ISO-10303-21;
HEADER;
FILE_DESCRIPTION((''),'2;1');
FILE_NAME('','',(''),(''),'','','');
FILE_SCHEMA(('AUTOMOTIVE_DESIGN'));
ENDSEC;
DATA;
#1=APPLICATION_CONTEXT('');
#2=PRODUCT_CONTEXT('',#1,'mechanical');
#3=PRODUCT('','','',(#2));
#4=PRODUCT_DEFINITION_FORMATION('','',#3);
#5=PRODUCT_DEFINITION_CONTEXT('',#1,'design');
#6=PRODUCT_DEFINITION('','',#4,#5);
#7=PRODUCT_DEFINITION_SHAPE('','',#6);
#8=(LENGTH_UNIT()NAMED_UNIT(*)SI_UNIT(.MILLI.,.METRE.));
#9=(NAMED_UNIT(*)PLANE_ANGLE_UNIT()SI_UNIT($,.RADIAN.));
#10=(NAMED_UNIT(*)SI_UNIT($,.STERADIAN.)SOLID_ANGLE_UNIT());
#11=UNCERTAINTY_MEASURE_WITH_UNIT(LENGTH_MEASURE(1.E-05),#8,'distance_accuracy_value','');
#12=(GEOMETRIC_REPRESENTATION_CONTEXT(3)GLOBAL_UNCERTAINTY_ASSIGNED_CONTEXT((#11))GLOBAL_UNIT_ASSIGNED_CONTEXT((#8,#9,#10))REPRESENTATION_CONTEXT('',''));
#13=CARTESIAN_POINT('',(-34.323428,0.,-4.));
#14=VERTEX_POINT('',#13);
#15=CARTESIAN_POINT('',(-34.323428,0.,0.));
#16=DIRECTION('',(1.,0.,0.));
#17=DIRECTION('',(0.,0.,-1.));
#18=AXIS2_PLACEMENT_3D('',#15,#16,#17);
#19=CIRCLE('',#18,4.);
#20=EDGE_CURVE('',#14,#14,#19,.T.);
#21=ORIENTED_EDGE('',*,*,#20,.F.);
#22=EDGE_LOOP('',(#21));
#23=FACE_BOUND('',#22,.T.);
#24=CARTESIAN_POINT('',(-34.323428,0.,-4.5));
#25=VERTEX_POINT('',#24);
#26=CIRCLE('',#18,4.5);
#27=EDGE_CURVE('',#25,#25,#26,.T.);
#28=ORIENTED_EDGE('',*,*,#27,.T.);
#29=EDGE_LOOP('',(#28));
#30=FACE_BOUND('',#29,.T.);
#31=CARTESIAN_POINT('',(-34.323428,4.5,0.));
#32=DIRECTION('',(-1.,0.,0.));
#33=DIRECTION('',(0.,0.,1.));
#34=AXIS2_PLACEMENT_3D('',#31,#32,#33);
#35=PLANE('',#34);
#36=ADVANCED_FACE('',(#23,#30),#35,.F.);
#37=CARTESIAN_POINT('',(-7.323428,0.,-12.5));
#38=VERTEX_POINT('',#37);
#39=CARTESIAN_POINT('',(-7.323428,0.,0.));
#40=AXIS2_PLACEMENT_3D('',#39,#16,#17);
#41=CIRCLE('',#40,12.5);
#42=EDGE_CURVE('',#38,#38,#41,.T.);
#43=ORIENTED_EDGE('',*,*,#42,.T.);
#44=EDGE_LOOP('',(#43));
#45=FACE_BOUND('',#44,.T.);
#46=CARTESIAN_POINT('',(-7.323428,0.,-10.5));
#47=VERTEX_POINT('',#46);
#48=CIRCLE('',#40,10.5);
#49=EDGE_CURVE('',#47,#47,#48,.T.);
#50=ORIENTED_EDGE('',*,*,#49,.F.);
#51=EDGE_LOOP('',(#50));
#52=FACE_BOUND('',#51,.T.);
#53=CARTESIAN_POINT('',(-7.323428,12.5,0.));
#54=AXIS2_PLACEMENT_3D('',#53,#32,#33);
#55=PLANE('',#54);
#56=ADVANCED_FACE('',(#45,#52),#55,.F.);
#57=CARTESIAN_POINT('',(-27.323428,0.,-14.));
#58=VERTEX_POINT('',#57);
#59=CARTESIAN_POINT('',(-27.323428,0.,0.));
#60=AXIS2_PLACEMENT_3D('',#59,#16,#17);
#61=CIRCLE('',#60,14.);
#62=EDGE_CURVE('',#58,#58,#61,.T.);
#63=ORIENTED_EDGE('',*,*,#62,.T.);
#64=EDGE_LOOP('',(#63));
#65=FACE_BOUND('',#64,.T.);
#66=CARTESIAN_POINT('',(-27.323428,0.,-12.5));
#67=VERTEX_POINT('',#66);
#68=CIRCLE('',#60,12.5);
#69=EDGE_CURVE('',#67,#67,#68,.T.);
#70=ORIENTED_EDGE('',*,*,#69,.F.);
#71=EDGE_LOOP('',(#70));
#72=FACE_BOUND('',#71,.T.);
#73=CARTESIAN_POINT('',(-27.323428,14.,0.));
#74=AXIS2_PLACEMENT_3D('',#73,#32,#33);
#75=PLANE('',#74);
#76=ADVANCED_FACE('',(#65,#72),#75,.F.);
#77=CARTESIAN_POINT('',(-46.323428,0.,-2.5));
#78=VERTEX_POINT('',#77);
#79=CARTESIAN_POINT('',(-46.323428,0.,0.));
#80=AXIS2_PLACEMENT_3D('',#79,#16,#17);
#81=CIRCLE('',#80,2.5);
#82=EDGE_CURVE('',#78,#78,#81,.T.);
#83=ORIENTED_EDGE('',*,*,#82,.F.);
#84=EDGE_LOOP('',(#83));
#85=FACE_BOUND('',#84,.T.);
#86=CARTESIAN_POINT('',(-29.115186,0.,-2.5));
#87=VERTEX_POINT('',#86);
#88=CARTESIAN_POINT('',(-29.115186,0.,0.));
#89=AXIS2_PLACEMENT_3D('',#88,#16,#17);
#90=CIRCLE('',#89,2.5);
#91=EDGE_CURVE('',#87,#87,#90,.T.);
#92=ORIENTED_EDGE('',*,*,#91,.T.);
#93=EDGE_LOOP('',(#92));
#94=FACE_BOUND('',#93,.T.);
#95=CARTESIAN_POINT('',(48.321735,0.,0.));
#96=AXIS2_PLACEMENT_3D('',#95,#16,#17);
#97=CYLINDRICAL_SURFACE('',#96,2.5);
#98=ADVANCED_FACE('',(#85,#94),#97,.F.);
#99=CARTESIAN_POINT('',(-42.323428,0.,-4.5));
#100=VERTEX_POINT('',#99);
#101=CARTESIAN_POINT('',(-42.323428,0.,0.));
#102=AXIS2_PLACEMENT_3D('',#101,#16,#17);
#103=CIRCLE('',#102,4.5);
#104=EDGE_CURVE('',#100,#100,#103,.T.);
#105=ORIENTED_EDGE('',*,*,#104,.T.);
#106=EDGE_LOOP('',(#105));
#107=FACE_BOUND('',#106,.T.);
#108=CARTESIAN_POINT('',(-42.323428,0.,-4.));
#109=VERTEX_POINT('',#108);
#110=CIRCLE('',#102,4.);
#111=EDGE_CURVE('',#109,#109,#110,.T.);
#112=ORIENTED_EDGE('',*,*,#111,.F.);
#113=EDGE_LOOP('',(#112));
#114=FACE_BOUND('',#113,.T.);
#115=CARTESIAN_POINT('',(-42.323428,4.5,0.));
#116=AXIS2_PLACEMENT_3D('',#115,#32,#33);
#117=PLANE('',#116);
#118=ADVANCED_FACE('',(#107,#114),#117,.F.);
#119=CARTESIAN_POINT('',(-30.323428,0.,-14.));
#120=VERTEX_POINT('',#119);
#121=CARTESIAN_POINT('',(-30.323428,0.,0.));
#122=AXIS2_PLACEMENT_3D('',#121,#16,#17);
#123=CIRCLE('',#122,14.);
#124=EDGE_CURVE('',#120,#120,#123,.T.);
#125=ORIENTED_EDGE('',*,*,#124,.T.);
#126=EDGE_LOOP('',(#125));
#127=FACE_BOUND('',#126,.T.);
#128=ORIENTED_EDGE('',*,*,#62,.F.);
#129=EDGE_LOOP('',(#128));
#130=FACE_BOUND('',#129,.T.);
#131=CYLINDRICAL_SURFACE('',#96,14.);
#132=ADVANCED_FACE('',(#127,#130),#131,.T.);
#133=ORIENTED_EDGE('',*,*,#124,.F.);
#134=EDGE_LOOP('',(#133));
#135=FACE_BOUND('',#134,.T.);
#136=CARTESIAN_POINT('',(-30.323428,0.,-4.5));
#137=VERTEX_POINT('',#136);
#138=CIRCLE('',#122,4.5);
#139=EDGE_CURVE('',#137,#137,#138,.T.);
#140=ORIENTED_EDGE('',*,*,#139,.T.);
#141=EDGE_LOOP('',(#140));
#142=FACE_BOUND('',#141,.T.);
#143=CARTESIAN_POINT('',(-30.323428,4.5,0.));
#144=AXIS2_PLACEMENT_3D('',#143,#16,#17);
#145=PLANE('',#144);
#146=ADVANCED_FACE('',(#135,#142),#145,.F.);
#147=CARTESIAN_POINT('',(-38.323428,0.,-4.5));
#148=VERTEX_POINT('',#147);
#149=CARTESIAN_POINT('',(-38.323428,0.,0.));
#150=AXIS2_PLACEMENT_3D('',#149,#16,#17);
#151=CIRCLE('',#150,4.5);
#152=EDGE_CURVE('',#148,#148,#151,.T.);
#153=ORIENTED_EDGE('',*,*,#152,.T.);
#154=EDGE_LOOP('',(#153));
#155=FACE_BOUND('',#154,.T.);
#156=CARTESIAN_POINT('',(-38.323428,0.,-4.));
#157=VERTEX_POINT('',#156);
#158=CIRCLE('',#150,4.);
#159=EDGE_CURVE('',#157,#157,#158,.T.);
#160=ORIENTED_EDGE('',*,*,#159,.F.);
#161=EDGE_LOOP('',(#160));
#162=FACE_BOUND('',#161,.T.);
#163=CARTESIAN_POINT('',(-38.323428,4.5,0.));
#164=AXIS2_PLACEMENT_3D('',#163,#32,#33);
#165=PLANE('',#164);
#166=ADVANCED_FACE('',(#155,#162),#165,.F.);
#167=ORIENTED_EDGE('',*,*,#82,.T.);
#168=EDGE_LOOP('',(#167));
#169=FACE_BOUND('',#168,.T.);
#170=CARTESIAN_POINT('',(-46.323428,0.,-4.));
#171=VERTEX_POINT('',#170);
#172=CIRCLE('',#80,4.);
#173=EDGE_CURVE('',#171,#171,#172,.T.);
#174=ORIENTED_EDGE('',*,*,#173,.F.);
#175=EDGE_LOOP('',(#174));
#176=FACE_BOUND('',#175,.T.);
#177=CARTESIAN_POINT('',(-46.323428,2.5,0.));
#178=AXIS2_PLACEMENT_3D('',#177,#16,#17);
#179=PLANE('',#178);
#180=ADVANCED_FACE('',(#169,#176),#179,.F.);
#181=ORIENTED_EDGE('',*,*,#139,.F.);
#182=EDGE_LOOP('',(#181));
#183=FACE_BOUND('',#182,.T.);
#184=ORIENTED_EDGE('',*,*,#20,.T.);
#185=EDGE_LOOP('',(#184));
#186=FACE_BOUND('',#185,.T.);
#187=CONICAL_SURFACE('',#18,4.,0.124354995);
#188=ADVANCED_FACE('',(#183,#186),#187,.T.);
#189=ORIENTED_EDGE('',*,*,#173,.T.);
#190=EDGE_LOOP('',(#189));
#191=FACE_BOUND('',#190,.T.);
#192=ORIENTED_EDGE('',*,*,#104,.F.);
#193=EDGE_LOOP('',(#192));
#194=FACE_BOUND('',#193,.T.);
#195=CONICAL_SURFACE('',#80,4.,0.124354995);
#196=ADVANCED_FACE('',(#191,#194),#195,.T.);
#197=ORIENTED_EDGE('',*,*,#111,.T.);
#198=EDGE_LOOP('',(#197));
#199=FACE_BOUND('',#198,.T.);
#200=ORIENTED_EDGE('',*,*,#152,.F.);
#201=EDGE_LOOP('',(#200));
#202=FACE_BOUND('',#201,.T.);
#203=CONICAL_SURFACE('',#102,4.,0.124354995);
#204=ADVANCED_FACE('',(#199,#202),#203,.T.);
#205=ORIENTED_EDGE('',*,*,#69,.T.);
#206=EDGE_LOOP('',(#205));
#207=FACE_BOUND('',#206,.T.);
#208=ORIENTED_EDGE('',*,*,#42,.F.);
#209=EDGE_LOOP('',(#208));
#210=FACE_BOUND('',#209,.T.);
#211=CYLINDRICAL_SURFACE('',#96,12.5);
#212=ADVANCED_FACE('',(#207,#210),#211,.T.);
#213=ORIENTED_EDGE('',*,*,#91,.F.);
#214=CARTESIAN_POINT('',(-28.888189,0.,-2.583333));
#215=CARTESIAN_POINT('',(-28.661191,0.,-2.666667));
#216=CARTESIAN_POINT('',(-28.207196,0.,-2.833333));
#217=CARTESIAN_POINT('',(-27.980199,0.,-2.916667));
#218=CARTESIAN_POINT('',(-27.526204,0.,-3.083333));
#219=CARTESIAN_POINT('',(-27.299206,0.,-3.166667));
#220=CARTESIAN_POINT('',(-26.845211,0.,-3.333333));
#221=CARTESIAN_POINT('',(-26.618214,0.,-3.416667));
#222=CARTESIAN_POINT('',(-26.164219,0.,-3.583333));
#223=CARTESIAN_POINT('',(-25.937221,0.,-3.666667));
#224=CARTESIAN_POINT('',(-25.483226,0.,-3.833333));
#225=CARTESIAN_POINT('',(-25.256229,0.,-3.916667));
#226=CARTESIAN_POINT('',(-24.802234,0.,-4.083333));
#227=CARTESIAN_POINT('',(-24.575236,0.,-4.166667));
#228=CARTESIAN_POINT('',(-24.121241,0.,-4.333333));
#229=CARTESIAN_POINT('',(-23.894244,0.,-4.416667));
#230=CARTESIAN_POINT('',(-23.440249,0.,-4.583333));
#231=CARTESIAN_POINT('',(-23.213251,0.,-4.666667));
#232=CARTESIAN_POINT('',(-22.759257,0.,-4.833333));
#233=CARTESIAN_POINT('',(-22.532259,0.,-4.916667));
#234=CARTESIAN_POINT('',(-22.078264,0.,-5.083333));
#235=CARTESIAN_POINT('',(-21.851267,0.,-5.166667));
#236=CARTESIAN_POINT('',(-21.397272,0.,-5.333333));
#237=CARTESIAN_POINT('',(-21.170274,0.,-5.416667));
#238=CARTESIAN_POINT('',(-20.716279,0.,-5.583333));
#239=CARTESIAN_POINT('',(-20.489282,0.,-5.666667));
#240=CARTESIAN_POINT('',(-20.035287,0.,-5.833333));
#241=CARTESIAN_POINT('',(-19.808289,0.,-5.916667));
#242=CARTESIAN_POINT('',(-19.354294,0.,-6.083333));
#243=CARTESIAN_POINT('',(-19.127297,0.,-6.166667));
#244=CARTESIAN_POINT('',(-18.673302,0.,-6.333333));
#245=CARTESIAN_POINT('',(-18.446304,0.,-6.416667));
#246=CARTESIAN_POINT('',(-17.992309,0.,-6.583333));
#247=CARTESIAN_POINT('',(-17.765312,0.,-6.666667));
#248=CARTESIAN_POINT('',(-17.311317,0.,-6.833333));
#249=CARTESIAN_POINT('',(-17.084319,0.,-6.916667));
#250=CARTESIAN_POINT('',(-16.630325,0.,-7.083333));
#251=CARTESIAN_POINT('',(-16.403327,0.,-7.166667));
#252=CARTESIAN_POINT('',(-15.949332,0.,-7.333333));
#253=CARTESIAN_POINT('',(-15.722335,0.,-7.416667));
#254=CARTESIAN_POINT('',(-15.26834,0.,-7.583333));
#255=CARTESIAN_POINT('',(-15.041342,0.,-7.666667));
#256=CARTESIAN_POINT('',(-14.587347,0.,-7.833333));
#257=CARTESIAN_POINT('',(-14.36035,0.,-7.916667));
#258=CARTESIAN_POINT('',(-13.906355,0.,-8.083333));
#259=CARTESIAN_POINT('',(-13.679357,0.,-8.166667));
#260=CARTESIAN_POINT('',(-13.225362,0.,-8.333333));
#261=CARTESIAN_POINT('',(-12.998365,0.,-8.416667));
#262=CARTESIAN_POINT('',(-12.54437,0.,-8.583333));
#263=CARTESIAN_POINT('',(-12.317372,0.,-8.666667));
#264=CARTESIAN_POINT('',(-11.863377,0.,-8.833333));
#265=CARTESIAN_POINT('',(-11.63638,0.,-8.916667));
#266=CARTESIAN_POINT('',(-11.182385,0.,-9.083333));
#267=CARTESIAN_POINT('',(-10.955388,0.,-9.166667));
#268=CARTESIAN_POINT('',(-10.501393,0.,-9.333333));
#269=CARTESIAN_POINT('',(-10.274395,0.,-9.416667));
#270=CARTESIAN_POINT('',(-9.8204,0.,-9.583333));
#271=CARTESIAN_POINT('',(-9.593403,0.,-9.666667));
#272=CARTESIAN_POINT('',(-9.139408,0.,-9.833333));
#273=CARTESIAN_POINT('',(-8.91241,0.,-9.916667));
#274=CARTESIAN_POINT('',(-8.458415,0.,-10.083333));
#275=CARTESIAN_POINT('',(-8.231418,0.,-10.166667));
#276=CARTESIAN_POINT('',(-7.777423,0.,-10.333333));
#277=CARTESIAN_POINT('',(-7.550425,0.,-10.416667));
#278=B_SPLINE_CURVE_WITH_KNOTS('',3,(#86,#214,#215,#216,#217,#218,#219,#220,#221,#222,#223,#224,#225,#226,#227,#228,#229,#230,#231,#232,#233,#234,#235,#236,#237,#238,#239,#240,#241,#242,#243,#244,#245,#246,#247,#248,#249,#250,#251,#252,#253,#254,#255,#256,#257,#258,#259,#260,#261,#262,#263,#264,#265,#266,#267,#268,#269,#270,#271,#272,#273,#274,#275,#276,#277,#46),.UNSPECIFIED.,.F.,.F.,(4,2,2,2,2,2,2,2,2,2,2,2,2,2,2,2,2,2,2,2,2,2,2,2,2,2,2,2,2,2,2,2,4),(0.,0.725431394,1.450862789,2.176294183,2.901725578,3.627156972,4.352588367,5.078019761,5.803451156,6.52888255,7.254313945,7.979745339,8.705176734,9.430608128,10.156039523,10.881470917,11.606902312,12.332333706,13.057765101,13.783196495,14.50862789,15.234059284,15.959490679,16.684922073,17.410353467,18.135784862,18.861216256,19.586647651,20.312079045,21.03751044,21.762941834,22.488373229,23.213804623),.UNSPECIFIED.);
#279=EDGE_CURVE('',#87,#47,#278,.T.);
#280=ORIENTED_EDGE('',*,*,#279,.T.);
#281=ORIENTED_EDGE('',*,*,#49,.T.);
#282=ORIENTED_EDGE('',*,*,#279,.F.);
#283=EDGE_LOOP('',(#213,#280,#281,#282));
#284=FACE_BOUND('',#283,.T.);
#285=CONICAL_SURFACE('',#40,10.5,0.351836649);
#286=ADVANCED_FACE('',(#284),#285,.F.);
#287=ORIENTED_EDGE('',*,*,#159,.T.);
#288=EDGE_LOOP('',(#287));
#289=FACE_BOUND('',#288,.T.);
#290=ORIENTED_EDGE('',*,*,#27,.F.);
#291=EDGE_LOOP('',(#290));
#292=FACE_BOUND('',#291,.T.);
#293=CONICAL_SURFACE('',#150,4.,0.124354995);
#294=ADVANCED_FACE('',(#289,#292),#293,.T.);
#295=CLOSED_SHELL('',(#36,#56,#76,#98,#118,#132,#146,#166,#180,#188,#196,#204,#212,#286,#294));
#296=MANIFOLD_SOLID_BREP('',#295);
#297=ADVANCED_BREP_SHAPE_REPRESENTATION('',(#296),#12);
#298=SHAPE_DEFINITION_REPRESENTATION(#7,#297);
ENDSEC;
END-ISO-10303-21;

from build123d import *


with BuildPart() as part:
    # Esboço1 → Revolução1 (revolve)
    with BuildSketch(Plane.XY, mode=Mode.PRIVATE) as revolu_o1_sk:
        Polygon((-27.323427807, 14), (-27.323427807, 12.5), (-7.323427807, 12.5), (-7.323427807, 10.5), (-29.115185999, 2.5), (-46.323427807, 2.5), (-46.323427807, 4), (-42.323427807, 4.5), (-42.323427807, 4), (-38.323427807, 4.5), (-38.323427807, 4), (-34.323427807, 4.5), (-34.323427807, 4), (-30.323427807, 4.5), (-30.323427807, 14), align=None)
    revolve(revolu_o1_sk.sketch.rotate(Axis((48.321734693, 0, 0), (-1, 0, 0)), 90), axis=Axis((48.321734693, 0, 0), (-1, 0, 0)))


solid = part.part
